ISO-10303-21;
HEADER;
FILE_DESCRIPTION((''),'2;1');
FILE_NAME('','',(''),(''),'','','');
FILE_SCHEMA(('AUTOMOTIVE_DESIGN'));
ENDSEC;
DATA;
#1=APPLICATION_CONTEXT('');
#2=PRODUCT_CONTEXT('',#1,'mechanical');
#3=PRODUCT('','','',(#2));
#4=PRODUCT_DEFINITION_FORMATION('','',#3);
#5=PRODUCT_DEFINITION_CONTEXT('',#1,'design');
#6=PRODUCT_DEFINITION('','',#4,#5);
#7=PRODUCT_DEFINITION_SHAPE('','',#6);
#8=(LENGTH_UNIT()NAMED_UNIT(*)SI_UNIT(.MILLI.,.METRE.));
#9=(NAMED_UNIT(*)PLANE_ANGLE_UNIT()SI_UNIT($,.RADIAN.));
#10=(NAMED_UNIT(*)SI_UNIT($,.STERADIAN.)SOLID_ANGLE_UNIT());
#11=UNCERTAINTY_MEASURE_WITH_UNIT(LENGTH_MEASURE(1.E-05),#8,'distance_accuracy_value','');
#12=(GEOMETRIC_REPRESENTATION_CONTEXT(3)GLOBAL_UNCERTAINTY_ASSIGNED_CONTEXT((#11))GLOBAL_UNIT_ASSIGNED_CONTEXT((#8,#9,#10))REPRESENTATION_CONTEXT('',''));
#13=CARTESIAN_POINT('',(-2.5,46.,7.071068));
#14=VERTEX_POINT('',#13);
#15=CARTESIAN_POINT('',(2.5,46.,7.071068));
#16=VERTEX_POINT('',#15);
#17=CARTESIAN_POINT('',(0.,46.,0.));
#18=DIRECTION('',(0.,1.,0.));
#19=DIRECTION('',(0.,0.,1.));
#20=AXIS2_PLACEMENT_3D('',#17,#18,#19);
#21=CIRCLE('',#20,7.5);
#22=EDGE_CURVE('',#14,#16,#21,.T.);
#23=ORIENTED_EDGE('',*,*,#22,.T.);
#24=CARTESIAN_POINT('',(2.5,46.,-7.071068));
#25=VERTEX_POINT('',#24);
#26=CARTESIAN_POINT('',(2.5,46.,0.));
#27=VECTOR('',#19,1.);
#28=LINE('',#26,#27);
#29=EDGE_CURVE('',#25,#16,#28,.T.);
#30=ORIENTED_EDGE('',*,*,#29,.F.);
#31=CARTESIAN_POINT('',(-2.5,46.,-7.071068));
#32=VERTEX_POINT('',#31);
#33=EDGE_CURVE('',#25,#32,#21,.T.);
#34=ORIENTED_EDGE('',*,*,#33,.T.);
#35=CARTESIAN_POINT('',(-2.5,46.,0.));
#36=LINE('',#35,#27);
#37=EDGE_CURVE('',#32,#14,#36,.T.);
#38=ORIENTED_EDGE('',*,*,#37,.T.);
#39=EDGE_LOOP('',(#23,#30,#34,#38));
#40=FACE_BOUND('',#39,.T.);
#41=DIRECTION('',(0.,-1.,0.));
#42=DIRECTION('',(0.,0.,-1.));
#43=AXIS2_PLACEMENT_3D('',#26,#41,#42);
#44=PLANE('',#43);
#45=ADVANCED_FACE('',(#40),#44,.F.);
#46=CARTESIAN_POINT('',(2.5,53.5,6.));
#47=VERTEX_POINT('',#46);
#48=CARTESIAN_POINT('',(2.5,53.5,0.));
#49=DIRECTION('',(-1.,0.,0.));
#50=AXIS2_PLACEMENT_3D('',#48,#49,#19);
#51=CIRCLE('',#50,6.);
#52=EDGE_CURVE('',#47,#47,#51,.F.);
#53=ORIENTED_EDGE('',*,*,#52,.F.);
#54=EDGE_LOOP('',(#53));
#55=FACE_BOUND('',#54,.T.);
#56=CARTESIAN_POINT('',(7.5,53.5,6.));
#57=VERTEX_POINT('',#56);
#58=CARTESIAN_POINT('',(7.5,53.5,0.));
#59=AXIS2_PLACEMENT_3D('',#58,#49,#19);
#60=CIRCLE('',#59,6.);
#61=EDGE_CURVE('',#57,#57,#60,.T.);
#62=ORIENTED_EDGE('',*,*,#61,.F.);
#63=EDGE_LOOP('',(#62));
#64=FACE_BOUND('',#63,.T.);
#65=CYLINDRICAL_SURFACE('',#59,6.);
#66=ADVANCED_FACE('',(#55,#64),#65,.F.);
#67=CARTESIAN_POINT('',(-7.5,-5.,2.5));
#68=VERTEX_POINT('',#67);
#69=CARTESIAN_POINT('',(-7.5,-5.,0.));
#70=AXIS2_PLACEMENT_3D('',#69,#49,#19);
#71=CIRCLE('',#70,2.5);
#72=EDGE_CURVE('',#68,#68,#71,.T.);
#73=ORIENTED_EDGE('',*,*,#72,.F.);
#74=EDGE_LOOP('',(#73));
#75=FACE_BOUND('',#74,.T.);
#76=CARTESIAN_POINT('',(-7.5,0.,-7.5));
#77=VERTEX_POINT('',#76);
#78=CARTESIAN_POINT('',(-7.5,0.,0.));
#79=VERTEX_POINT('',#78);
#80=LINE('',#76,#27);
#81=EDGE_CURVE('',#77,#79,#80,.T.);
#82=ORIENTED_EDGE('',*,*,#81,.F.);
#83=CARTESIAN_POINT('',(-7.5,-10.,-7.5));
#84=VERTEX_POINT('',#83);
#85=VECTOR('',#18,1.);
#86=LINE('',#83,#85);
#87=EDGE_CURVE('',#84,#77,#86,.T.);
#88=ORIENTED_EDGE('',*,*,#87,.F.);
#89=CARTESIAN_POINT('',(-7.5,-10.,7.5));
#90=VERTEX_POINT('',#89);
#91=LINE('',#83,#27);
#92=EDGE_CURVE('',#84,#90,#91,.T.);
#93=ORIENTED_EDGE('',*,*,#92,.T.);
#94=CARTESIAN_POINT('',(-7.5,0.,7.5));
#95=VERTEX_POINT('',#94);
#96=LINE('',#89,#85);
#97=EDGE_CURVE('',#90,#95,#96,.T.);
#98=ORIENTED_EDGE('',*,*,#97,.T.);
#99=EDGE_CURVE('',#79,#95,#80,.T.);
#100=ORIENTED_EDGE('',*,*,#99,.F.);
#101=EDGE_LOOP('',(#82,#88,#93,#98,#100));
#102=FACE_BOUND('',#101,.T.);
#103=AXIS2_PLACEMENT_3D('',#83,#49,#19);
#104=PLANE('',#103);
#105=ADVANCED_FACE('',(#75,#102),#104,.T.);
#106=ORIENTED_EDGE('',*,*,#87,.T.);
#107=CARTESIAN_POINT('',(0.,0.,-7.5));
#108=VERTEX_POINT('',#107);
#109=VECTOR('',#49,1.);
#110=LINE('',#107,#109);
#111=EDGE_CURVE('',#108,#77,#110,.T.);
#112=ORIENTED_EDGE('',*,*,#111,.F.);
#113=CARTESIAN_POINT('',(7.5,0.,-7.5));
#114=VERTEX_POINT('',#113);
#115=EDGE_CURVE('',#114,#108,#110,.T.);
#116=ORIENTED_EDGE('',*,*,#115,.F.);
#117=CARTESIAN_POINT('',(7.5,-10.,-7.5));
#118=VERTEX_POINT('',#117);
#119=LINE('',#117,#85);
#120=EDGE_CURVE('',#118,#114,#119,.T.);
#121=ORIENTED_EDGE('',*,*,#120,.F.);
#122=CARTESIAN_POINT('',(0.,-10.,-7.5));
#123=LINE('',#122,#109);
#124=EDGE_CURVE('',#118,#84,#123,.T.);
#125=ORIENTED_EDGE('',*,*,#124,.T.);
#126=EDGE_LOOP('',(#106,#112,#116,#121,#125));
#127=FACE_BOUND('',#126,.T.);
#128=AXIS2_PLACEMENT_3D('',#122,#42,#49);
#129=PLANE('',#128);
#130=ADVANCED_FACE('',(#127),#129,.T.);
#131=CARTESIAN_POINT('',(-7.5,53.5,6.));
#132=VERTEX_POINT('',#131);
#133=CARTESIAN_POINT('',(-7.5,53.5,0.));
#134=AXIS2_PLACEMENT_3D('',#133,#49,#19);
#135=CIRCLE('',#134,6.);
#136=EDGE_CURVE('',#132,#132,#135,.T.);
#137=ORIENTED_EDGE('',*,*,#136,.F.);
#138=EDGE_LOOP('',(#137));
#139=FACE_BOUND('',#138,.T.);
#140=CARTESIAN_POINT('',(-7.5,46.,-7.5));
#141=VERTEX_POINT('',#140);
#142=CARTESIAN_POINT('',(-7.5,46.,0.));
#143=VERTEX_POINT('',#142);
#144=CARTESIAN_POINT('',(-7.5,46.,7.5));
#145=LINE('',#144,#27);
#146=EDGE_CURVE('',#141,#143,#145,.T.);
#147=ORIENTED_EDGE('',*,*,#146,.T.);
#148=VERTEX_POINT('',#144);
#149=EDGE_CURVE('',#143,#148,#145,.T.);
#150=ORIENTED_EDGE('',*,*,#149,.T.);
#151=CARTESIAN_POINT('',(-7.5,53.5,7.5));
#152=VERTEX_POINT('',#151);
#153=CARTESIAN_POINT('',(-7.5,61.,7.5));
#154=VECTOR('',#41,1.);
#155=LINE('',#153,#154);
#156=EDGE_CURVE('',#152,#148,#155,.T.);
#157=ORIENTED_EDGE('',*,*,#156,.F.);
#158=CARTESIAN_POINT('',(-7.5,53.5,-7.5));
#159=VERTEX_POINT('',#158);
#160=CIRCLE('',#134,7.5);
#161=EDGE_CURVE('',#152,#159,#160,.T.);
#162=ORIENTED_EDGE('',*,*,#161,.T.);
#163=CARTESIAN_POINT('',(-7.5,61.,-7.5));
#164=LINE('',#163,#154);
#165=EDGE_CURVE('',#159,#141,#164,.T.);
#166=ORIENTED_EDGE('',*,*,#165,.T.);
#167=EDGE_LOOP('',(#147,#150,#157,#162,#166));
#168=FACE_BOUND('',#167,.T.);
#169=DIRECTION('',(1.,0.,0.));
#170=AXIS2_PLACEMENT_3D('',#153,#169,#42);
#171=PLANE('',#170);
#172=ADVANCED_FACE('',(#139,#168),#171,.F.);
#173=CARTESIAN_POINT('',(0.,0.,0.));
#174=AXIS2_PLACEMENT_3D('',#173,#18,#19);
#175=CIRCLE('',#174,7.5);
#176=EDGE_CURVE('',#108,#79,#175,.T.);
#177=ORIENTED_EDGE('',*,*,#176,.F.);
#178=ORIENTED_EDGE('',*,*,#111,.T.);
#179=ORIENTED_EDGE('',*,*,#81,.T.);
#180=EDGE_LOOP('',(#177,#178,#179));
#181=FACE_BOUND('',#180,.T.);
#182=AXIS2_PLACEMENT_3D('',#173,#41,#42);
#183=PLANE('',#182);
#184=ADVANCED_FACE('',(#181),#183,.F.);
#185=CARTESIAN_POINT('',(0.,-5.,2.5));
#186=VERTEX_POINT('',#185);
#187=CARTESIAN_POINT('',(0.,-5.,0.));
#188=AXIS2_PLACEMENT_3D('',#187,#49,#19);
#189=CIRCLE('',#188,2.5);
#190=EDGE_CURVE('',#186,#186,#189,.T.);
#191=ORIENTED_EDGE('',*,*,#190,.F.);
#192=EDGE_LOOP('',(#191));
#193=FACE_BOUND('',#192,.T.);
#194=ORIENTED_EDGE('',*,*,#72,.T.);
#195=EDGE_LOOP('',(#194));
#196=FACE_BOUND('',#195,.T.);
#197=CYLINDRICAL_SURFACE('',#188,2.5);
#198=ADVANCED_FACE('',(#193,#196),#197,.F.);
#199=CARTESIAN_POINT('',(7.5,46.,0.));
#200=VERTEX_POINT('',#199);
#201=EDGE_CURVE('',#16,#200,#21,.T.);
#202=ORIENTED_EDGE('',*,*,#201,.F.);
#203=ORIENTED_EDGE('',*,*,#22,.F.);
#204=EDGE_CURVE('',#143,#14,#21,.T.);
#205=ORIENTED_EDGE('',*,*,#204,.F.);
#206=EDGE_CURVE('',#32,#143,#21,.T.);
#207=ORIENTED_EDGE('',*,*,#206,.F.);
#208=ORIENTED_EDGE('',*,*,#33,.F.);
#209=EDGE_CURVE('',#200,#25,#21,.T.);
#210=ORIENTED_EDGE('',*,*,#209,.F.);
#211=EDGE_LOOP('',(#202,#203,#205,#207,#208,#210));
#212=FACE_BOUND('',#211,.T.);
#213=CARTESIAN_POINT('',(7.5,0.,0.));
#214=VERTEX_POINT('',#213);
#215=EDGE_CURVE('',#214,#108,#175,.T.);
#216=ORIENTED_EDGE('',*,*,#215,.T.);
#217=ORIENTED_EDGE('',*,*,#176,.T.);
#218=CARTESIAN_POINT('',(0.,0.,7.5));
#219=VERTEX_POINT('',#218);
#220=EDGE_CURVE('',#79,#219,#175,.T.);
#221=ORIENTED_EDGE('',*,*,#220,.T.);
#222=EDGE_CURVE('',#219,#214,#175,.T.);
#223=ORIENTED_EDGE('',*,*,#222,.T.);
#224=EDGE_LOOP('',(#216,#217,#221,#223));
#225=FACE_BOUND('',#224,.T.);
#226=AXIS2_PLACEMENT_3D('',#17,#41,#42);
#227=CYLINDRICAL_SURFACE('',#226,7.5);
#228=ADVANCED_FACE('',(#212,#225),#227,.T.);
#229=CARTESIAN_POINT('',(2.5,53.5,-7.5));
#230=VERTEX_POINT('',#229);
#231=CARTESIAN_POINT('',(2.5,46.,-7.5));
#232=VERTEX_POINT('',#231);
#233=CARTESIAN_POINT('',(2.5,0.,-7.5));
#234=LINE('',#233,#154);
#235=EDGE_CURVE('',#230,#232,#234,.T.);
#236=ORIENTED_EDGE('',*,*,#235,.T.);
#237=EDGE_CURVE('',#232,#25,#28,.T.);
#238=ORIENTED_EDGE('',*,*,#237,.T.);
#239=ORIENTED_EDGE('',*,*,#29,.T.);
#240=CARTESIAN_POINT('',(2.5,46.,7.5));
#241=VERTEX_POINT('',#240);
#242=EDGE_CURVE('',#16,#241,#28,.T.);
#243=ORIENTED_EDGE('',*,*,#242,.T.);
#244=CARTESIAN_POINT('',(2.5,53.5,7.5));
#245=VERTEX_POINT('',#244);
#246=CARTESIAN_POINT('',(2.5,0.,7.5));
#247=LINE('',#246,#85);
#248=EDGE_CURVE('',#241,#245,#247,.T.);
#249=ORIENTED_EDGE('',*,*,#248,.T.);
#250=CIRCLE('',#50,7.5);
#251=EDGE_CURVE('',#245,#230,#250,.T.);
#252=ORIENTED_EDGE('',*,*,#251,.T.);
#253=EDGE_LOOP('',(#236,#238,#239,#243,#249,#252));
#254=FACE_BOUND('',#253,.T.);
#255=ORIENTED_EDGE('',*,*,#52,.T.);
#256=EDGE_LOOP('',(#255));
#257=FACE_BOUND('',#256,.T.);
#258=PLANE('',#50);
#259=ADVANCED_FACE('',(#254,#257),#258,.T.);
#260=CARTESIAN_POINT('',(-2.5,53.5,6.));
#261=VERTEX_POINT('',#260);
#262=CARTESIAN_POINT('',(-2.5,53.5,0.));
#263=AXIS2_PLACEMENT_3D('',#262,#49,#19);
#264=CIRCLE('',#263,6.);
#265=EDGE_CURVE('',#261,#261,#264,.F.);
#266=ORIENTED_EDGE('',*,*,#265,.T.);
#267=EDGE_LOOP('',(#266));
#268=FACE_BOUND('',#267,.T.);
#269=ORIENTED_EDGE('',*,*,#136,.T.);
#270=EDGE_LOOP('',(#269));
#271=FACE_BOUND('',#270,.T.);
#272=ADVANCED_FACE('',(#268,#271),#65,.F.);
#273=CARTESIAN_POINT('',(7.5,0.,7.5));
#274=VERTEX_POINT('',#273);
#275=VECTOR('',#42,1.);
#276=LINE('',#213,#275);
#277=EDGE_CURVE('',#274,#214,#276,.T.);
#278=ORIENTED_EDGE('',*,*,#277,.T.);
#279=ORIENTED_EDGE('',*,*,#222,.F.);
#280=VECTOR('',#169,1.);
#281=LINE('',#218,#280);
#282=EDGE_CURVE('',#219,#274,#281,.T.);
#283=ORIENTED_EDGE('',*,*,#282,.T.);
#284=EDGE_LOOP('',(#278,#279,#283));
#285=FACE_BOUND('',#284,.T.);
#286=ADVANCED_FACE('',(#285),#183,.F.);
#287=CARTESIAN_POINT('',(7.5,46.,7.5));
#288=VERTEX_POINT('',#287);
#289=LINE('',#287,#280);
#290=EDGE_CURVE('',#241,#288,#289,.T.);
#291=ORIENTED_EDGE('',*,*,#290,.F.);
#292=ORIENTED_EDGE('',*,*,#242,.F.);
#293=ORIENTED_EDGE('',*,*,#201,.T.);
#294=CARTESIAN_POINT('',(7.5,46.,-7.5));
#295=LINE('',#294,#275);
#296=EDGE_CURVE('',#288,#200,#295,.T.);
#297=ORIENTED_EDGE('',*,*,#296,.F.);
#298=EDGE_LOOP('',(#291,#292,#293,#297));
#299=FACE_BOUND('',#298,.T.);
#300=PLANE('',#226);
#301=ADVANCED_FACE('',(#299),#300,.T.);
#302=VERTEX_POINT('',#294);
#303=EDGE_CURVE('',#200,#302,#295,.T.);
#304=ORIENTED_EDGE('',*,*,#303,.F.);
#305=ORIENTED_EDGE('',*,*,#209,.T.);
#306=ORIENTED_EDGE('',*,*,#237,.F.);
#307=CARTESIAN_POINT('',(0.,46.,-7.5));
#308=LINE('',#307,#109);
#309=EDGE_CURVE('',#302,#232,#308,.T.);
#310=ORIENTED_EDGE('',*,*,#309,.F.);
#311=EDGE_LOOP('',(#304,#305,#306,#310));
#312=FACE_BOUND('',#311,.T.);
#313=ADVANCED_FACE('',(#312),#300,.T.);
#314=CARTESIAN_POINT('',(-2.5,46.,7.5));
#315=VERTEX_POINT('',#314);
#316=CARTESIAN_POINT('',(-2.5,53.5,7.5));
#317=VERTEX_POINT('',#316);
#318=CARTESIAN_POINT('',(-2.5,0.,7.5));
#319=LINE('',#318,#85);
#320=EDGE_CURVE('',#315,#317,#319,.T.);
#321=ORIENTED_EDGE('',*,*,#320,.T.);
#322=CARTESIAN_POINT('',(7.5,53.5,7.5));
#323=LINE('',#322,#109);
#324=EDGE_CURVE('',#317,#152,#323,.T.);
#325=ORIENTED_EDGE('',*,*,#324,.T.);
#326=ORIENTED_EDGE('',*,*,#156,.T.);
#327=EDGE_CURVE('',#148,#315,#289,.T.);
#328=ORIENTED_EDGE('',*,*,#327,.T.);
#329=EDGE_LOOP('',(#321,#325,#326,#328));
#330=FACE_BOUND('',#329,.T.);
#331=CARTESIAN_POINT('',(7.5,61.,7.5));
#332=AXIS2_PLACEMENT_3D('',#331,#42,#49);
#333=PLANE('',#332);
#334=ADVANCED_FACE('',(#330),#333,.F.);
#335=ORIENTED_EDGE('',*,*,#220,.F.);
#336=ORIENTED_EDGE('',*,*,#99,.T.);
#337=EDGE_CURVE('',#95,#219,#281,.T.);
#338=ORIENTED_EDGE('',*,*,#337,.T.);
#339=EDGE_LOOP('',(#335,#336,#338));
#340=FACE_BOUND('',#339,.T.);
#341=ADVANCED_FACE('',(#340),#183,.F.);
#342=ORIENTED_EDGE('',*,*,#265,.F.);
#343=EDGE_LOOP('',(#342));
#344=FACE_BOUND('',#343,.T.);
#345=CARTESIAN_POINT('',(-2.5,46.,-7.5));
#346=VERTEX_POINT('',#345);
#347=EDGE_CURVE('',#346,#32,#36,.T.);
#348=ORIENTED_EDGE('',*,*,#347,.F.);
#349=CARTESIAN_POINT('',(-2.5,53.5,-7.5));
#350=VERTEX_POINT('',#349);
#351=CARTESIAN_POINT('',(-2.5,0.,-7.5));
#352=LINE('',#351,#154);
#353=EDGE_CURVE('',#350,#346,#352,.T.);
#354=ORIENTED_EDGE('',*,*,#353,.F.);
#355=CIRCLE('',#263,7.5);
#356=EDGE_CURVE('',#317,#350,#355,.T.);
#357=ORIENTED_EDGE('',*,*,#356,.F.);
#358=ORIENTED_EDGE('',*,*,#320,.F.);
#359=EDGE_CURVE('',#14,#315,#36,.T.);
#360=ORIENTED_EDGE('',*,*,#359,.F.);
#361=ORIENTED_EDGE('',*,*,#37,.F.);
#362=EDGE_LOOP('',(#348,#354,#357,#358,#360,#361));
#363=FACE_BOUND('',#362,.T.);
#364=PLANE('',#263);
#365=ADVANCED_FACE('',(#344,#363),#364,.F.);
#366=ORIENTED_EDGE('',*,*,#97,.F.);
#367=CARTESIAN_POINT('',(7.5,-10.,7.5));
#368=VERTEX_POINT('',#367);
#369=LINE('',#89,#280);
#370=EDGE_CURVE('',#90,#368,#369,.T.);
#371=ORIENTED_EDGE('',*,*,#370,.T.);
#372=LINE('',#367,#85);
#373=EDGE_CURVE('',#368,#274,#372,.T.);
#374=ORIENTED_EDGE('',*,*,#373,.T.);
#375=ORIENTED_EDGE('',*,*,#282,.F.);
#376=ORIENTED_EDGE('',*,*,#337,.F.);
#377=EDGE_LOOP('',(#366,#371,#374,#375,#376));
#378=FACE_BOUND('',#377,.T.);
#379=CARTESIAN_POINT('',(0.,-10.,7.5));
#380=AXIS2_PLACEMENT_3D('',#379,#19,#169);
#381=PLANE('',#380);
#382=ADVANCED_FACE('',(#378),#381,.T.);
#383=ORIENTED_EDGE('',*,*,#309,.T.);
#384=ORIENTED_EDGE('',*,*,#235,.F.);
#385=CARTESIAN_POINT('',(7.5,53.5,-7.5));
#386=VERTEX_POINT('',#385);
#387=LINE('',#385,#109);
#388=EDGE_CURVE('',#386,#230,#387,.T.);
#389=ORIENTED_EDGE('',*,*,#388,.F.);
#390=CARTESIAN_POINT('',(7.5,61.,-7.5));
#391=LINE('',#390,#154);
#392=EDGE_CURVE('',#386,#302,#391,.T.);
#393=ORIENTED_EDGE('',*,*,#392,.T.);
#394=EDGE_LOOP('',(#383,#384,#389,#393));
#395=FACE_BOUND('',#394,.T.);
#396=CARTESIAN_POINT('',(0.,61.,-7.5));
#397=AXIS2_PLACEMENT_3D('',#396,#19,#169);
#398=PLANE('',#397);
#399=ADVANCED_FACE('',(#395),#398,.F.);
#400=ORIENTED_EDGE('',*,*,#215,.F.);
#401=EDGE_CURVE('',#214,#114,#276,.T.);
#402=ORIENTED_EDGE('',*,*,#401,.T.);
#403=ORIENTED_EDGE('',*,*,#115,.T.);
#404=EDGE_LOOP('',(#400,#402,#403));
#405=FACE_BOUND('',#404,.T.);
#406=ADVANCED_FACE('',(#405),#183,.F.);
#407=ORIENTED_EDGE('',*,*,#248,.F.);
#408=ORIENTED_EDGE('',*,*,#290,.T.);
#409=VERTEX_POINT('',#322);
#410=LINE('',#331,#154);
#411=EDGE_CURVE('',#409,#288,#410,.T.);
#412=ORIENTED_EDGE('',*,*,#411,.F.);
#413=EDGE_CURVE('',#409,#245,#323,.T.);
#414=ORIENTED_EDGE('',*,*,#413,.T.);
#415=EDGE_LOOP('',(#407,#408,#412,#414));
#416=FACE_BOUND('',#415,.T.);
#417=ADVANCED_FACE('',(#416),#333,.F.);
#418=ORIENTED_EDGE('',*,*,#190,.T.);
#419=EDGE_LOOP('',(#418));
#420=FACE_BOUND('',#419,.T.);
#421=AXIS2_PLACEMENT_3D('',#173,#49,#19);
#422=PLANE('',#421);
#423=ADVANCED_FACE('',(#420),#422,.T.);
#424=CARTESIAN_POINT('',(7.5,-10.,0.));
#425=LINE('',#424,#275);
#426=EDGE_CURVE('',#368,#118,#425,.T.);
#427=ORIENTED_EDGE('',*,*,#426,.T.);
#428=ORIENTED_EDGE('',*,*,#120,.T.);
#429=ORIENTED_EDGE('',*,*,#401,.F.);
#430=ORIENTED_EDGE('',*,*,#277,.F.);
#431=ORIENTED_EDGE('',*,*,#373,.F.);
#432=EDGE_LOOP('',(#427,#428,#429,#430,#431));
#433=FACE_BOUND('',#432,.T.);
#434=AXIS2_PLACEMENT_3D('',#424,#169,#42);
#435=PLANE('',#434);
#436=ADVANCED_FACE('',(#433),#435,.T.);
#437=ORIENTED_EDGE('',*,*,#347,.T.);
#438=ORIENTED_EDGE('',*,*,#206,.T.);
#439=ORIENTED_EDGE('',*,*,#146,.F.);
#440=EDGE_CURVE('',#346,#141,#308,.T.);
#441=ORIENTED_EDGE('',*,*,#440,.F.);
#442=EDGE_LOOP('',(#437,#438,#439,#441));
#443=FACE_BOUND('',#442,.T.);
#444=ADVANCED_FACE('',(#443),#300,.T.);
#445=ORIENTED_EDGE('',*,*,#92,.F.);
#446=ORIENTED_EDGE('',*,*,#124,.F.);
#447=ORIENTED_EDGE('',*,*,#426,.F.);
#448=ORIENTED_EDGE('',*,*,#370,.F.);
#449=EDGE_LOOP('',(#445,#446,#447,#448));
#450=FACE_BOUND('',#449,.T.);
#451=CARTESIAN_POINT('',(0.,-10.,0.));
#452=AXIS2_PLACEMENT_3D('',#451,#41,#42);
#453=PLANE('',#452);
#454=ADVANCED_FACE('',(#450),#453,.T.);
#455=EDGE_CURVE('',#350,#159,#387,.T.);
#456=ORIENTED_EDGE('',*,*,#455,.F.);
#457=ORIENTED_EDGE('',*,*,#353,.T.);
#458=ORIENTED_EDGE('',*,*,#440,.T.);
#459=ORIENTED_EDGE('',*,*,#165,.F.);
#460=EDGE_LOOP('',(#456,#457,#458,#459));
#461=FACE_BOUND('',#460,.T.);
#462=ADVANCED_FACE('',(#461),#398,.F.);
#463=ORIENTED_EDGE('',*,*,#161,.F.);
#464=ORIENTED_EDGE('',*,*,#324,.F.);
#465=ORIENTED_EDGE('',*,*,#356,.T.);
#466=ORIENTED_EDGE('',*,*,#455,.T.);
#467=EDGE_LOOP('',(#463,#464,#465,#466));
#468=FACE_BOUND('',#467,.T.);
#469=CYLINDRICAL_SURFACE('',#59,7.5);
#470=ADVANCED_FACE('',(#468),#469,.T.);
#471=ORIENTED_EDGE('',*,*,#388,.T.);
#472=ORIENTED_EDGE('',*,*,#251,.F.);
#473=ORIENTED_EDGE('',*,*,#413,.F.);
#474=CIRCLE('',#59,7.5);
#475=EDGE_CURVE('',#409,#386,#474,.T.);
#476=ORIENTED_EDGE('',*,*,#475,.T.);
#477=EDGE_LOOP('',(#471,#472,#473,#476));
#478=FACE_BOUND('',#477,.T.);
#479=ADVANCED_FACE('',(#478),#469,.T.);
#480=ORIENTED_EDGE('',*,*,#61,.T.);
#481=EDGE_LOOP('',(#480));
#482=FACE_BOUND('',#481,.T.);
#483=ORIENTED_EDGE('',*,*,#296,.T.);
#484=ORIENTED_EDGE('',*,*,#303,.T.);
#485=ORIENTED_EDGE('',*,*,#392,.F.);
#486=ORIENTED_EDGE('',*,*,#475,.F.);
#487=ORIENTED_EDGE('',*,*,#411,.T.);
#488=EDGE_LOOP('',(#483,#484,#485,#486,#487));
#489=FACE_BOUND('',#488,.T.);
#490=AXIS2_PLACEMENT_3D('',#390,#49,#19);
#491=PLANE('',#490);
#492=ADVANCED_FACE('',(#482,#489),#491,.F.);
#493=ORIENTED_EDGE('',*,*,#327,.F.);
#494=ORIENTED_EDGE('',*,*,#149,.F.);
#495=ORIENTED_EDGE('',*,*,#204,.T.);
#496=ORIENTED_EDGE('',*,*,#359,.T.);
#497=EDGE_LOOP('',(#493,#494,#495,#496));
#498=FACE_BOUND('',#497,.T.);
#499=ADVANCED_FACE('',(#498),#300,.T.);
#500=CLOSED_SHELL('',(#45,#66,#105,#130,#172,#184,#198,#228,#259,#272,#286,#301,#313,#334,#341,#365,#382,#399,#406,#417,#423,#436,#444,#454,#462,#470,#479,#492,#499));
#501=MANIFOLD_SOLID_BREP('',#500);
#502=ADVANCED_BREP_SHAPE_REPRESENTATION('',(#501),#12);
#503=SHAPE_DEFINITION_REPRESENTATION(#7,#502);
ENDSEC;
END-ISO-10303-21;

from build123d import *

# Parameters (mm, degrees)
SKETCH1_R           = 7.5
BOSS_EXTRUDE1_DEPTH = 46
SKETCH2_W           = 15
SKETCH2_H           = 15
BOSS_EXTRUDE2_DEPTH = 10
SKETCH3_R           = 2.5
CUT_EXTRUDE1_DEPTH  = 7.5
BOSS_EXTRUDE3_DEPTH = 15
CUT_EXTRUDE4_DEPTH  = 64.263338514
SKETCH6_R           = 6
CUT_EXTRUDE5_DEPTH  = 64.263338514
CUT_EXTRUDE7_START  = -5
SKETCH7_R           = 7.5
CUT_EXTRUDE7_DEPTH  = 5
CUT_EXTRUDE8_START  = -5
CUT_EXTRUDE8_DEPTH  = 5


with BuildPart() as part:
    # Sketch1 → Boss-Extrude1 (new body)
    with BuildSketch(Plane(origin=(0, 0, 0), x_dir=(1, 0, 0), z_dir=(0, 1, 0))):
        with Locations(Location((0, 0, 0), (0, 0, 270))):
            Circle(SKETCH1_R)
    extrude(amount=BOSS_EXTRUDE1_DEPTH)

    # Sketch2 → Boss-Extrude2 (add)
    with BuildSketch(Plane.XZ):
        Rectangle(SKETCH2_W, SKETCH2_H)
    extrude(amount=BOSS_EXTRUDE2_DEPTH)

    # Sketch3 → Cut-Extrude1 (cut)
    with BuildSketch(Plane.ZY.offset(7.5)):
        with Locations((0, -5)):
            Circle(SKETCH3_R)
    extrude(amount=-CUT_EXTRUDE1_DEPTH, mode=Mode.SUBTRACT)

    # Sketch4 → Boss-Extrude3 (add)
    with BuildSketch(Plane(origin=(0, 46, 0), x_dir=(1, 0, 0), z_dir=(0, 1, 0))):
        Polygon((0, 7.5), (7.5, 7.5), (7.5, -7.5), (-7.5, -7.5), (-7.5, 7.5), align=None)
    extrude(amount=BOSS_EXTRUDE3_DEPTH)

    # Sketch5 → Cut-Extrude4 (cut, through all)
    with BuildSketch(Plane.ZY.offset(7.5)):
        with BuildLine():
            ThreePointArc((-7.5, 53.5), (-5.303300859, 58.803300859), (0, 61))
            Line((0, 61), (-7.5, 61))
            Line((-7.5, 61), (-7.5, 53.5))
        make_face()
        with BuildLine():
            Line((7.5, 61), (0, 61))
            ThreePointArc((0, 61), (5.303300859, 58.803300859), (7.5, 53.5))
            Line((7.5, 53.5), (7.5, 61))
        make_face()
    extrude(amount=-CUT_EXTRUDE4_DEPTH, mode=Mode.SUBTRACT)

    # Sketch6 → Cut-Extrude5 (cut, through all)
    with BuildSketch(Plane.ZY.offset(7.5)):
        with Locations((0, 53.5)):
            Circle(SKETCH6_R)
    extrude(amount=-CUT_EXTRUDE5_DEPTH, mode=Mode.SUBTRACT)

    # Sketch7 → Cut-Extrude7 (cut)
    with BuildSketch(Plane.ZY.offset(7.5).offset(CUT_EXTRUDE7_START)):
        with Locations((0, 53.5)):
            Circle(SKETCH7_R)
    extrude(amount=-CUT_EXTRUDE7_DEPTH, mode=Mode.SUBTRACT)

    # Sketch8 → Cut-Extrude8 (cut)
    with BuildSketch(Plane.ZY.offset(7.5).offset(CUT_EXTRUDE8_START)):
        with BuildLine():
            Line((-6, 53.5), (-7.5, 53.5))
            Line((-7.5, 53.5), (-7.5, 46))
            Line((-7.5, 46), (0, 46))
            Line((0, 46), (7.5, 46))
            Line((7.5, 46), (7.5, 53.5))
            Line((7.5, 53.5), (6, 53.5))
            ThreePointArc((6, 53.5), (0, 47.5), (-6, 53.5))
        make_face()
    extrude(amount=-CUT_EXTRUDE8_DEPTH, mode=Mode.SUBTRACT)


solid = part.part
